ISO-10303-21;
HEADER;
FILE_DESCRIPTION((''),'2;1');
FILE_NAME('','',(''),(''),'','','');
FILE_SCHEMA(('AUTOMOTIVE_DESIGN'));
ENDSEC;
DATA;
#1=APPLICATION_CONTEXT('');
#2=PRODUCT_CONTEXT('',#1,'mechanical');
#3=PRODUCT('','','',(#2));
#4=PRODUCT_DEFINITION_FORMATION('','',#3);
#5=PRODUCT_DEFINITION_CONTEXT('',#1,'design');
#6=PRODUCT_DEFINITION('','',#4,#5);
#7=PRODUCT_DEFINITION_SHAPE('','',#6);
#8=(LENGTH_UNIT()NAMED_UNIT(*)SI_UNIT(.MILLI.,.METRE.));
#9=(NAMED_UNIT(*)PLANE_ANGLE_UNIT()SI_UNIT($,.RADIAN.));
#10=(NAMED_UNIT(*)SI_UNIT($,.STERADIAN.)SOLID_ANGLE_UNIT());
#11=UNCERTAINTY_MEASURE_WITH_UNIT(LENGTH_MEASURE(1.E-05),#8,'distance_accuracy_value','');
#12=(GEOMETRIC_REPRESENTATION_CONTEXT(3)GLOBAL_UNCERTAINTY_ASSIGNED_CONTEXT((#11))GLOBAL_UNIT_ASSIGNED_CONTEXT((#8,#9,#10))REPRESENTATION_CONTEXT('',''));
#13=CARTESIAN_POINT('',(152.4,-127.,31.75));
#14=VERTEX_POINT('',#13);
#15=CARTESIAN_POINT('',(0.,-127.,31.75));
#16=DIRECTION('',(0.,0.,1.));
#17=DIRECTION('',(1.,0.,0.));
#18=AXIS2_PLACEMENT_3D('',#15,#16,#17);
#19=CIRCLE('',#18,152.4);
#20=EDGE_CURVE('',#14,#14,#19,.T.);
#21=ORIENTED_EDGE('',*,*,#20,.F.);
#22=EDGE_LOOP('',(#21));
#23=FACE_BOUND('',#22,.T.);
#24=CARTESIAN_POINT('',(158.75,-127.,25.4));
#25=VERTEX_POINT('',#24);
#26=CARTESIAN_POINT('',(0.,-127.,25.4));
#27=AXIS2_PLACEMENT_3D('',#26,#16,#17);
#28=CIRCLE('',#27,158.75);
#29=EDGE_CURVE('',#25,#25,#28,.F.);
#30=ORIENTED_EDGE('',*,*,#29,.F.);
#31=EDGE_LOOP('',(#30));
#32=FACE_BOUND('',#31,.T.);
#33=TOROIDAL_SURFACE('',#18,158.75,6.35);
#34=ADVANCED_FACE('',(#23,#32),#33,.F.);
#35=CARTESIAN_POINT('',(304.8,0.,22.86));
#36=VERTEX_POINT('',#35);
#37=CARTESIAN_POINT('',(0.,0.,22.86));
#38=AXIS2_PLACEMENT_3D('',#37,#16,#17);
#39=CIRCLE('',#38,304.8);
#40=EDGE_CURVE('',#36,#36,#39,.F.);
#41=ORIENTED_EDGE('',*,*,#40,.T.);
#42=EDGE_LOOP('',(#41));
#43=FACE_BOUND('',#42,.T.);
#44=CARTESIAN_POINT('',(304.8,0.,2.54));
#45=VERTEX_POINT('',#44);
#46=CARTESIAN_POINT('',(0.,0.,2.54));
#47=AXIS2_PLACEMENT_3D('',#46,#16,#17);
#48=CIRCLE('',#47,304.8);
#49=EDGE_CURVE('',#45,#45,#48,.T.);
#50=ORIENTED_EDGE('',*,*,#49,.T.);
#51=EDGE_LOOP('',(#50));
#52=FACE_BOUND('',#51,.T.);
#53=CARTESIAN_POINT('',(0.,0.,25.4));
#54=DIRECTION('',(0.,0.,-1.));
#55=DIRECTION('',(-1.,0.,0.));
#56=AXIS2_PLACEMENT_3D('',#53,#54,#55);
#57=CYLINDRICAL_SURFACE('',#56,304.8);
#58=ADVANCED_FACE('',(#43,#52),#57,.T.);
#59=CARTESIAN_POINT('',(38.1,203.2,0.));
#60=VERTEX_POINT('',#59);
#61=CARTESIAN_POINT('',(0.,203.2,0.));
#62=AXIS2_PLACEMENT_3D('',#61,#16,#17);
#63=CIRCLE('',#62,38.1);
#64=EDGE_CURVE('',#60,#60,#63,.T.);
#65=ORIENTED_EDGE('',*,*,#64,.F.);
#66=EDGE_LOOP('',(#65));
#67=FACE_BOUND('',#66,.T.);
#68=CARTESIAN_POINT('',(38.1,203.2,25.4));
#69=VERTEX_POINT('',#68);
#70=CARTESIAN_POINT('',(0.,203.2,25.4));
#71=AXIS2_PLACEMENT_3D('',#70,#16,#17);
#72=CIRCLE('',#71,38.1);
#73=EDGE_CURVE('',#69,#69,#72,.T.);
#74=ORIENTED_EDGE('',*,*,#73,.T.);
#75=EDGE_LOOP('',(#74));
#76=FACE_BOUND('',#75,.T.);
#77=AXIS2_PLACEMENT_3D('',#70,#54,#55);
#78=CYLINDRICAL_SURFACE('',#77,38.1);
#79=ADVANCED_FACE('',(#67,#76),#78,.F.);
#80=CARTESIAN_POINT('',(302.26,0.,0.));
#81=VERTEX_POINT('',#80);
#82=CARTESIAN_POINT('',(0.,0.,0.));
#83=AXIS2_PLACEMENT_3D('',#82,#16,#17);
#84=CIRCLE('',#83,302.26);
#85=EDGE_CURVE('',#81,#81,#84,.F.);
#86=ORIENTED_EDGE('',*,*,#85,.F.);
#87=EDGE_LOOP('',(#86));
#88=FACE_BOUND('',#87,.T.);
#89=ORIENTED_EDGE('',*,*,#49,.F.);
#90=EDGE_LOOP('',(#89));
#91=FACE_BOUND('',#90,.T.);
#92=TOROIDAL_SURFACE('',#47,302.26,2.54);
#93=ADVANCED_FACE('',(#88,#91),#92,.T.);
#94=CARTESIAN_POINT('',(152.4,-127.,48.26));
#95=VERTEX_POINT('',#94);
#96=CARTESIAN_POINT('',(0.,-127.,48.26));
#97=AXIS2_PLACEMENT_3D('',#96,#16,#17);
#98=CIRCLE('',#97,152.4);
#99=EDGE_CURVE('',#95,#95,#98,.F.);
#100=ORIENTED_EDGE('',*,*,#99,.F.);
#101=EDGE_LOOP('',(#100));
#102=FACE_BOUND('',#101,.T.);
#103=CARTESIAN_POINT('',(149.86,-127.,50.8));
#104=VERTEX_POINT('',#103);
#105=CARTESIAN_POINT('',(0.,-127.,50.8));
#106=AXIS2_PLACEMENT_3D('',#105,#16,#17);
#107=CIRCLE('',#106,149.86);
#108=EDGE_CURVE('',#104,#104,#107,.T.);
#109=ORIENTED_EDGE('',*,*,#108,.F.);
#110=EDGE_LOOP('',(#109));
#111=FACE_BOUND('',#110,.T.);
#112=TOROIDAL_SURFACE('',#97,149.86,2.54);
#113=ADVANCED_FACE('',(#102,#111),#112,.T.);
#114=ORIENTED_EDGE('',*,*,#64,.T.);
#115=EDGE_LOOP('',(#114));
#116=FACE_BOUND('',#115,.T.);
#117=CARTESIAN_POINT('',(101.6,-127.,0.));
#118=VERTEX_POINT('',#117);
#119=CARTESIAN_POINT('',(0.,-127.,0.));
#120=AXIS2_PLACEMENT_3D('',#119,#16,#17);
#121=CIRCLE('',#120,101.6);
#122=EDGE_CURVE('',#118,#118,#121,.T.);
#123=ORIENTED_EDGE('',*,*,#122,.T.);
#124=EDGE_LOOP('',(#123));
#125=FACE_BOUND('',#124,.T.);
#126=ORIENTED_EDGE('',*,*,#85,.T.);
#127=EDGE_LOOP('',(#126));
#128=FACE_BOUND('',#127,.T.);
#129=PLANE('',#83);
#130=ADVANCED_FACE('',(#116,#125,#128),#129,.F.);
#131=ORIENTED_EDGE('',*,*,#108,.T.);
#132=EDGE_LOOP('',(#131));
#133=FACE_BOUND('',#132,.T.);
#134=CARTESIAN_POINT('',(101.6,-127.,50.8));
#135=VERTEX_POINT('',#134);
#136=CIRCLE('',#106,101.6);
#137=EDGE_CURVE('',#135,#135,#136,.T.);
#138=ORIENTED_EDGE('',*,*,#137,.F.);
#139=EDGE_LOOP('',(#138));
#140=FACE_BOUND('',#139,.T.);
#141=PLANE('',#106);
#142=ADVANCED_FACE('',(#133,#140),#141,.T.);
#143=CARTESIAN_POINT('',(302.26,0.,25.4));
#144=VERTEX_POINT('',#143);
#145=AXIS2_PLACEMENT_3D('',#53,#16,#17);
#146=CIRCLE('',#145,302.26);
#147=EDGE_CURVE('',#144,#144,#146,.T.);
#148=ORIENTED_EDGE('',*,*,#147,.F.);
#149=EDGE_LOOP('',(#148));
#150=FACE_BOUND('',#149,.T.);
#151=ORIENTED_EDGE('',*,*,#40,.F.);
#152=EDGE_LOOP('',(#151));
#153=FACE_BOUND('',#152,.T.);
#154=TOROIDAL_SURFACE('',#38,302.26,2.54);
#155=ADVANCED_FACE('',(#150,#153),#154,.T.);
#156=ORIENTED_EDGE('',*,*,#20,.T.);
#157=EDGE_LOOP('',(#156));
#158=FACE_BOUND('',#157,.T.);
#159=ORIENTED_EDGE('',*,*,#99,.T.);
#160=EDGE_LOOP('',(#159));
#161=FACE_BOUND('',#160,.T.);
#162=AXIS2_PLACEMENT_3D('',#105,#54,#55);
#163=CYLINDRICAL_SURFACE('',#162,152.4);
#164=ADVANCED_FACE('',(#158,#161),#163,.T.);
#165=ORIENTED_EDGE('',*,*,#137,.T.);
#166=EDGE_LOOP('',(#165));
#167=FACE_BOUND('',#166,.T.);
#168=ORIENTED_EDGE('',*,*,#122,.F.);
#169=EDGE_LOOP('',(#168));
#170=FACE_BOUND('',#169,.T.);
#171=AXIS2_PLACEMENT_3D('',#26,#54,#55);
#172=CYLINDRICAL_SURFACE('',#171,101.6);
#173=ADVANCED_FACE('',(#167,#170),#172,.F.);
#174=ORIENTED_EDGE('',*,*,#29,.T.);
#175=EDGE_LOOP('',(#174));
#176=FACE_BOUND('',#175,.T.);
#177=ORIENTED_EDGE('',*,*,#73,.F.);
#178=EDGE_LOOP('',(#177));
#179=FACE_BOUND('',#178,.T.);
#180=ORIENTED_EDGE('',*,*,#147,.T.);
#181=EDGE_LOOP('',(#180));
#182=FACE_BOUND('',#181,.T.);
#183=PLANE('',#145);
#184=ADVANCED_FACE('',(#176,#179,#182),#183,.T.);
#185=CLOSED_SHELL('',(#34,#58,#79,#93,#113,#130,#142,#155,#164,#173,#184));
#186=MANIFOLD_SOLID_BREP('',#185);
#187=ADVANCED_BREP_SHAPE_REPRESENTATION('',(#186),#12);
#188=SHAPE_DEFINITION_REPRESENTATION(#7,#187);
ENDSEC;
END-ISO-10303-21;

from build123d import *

# Parameters (mm, degrees)
SKETCH1_R           = 304.8
SKETCH1_R_2         = 101.6
SKETCH1_R_3         = 38.1
BOSS_EXTRUDE1_DEPTH = 25.4
SKETCH2_R           = 152.4
SKETCH2_R_2         = 101.6
BOSS_EXTRUDE2_DEPTH = 25.4
FILLET1_R           = 2.54
FILLET2_R           = 6.35


with BuildPart() as part:
    # Sketch1 → Boss-Extrude1 (new body)
    with BuildSketch(Plane.XY):
        Circle(SKETCH1_R)
        with Locations((0, -127)):
            Circle(SKETCH1_R_2, mode=Mode.SUBTRACT)
        with Locations((0, 203.2)):
            Circle(SKETCH1_R_3, mode=Mode.SUBTRACT)
    extrude(amount=BOSS_EXTRUDE1_DEPTH)

    # Sketch2 → Boss-Extrude2 (add)
    with BuildSketch(Plane.XY.offset(25.4)):
        with Locations((0, -127)):
            Circle(SKETCH2_R)
        with Locations((0, -127)):
            Circle(SKETCH2_R_2, mode=Mode.SUBTRACT)
    extrude(amount=BOSS_EXTRUDE2_DEPTH)

    # Fillet1
    fillet1_edges = [part.edges().sort_by_distance(p)[0] for p in [
        (-152.4, -127, 50.8),
        (-304.8, 0, 0),
        (-304.8, 0, 25.4),
    ]]
    fillet(fillet1_edges, radius=FILLET1_R)

    # Fillet2
    fillet2_edges = [part.edges().sort_by_distance(p)[0] for p in [
        (-152.4, -127, 25.4),
    ]]
    fillet(fillet2_edges, radius=FILLET2_R)


solid = part.part
